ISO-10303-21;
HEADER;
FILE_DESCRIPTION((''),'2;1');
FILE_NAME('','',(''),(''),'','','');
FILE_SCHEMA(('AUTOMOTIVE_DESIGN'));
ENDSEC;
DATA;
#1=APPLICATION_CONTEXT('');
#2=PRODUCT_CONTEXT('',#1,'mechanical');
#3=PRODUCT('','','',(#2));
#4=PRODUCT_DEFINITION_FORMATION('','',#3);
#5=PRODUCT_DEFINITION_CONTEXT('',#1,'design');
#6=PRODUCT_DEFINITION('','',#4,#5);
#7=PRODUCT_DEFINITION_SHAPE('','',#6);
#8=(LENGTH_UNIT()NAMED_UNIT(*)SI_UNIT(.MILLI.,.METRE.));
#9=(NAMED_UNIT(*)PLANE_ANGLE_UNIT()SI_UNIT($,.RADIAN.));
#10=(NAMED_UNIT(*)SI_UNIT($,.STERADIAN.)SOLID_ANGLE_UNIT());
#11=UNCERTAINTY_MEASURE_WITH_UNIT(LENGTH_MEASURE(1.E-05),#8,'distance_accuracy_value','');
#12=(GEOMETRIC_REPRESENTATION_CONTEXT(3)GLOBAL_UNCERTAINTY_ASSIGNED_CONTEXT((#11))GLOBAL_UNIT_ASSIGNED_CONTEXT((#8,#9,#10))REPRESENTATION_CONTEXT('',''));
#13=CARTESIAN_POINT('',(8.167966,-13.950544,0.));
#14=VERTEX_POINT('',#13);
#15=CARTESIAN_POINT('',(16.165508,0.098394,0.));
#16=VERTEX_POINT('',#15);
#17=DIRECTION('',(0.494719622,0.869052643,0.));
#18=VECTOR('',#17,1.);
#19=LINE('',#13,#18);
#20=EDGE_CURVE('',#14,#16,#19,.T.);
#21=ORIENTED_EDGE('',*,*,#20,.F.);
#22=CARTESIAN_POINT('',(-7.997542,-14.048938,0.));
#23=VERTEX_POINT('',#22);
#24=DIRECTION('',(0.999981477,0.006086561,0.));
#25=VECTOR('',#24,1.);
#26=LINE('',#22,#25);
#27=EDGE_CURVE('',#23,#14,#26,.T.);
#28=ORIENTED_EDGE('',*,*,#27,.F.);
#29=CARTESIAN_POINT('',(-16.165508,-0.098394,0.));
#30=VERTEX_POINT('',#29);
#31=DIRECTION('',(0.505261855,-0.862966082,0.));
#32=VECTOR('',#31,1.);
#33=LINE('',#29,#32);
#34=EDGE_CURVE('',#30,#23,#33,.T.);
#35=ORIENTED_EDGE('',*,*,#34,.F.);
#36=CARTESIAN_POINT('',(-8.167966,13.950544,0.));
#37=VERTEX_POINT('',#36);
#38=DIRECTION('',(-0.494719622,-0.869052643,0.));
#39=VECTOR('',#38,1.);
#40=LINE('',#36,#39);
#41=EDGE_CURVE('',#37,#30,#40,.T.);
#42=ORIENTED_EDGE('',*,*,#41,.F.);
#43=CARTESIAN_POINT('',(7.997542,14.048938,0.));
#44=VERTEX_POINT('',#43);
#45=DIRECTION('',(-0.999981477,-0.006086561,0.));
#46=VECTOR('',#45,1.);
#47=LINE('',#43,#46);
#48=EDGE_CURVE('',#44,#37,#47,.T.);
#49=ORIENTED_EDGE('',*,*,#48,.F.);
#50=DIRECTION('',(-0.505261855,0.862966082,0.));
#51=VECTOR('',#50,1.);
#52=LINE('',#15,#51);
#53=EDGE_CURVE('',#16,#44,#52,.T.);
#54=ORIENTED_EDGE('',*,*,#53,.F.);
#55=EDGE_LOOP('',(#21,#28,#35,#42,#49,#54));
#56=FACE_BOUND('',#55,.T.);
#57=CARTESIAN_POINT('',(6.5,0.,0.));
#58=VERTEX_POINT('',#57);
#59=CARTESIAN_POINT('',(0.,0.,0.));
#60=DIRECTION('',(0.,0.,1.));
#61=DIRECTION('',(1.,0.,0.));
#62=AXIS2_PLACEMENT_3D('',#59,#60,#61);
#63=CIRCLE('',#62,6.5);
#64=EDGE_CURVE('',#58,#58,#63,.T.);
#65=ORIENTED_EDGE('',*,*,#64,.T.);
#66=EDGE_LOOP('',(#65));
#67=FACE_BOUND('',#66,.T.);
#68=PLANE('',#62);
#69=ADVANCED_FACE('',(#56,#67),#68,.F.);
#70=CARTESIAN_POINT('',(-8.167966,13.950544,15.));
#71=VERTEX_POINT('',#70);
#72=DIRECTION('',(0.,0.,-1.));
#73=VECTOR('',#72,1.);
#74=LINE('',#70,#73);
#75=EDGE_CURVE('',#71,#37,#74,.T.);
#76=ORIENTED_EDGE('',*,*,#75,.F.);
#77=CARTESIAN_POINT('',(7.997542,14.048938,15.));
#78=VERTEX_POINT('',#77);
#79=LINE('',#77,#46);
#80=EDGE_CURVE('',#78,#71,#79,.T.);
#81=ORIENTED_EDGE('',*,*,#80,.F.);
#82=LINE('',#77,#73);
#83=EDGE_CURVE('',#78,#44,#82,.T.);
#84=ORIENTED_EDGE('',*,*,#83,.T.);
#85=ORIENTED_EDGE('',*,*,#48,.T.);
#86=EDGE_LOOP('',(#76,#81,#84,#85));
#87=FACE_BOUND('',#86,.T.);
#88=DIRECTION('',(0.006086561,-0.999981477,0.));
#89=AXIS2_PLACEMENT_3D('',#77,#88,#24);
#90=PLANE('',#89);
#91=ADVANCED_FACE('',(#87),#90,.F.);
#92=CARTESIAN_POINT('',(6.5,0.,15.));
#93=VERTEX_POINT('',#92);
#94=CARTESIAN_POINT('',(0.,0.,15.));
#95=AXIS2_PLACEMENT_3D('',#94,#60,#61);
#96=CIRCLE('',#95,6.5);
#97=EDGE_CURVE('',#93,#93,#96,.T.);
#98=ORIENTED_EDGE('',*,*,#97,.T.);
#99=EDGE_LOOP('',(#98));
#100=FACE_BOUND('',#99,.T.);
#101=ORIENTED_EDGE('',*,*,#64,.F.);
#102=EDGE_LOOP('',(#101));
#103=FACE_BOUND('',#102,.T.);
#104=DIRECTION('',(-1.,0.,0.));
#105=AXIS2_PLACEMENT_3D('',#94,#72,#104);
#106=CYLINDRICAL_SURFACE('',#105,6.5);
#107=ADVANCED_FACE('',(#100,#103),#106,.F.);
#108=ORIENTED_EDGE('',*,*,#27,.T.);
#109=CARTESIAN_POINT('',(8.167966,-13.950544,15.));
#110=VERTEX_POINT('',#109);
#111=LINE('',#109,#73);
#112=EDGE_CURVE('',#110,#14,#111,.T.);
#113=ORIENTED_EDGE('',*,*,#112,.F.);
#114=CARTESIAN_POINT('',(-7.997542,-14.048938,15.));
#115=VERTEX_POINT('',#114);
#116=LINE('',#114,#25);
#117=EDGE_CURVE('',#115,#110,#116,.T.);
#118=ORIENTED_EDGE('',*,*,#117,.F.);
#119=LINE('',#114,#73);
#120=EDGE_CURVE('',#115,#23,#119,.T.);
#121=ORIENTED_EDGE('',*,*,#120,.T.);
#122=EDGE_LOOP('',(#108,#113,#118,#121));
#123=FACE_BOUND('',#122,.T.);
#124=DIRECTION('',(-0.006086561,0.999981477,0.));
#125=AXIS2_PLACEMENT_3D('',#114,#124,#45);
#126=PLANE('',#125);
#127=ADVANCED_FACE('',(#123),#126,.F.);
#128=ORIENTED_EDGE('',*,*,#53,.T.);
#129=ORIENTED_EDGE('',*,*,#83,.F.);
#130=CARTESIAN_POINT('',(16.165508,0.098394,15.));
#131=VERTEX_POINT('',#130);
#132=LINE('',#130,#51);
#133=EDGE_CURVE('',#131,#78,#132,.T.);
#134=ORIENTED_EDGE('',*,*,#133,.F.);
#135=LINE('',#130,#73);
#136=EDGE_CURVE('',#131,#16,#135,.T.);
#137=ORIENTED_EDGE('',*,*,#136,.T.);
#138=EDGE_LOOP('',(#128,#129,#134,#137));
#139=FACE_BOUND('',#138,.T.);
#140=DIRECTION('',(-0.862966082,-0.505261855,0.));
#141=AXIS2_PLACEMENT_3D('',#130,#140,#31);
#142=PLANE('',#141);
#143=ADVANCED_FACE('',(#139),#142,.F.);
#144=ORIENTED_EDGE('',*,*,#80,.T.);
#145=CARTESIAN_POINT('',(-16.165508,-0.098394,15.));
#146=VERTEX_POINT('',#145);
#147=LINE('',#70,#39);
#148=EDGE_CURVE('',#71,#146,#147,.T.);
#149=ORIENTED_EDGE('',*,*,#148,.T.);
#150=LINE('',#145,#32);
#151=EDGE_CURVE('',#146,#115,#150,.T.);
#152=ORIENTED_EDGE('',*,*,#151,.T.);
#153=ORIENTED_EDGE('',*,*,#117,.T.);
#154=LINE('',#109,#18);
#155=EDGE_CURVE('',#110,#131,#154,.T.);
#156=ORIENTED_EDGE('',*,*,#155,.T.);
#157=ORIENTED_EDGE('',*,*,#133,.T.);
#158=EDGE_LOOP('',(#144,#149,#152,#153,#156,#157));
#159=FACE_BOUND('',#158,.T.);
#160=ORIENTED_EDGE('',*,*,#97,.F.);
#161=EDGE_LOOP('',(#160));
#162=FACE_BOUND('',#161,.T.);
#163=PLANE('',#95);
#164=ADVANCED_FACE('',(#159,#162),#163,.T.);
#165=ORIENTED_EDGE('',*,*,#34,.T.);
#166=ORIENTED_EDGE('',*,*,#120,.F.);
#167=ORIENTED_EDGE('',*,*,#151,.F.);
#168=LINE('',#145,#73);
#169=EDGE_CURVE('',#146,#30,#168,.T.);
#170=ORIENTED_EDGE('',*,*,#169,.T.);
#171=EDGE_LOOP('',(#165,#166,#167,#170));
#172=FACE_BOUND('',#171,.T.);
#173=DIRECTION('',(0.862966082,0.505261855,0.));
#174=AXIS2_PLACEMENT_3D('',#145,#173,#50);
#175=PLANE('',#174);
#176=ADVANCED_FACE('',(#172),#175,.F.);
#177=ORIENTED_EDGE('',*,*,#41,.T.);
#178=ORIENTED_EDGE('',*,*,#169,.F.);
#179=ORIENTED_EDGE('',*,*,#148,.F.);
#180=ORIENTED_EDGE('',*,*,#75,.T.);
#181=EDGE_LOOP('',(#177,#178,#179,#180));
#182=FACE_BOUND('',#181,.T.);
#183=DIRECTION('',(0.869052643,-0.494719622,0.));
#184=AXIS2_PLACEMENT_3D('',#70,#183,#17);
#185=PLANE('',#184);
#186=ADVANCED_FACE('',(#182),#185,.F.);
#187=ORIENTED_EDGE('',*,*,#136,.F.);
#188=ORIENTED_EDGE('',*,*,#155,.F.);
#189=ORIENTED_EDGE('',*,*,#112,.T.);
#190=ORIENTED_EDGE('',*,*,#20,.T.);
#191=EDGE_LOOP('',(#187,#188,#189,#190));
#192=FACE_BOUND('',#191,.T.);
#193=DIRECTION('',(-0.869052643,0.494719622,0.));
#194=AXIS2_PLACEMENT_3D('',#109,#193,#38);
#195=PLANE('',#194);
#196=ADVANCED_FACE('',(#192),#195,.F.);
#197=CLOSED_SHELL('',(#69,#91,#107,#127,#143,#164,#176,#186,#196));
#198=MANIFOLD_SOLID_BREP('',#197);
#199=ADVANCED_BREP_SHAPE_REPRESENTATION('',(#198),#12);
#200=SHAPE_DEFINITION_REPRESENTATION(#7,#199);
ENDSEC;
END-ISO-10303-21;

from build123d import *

# Parameters (mm, degrees)
IZIM1_R                     = 6.5
Y_KSEKLIK_EKSTR_ZYON1_DEPTH = 15


with BuildPart() as part:
    # Çizim1 → Yükseklik-Ekstrüzyon1 (new body)
    with BuildSketch(Plane.XY):
        Polygon((8.167965901, -13.950543587), (16.165508093, 0.098394173), (7.997542193, 14.048937761), (-8.167965901, 13.950543587), (-16.165508093, -0.098394173), (-7.997542193, -14.048937761), align=None)
        Circle(IZIM1_R, mode=Mode.SUBTRACT)
    extrude(amount=Y_KSEKLIK_EKSTR_ZYON1_DEPTH)


solid = part.part
